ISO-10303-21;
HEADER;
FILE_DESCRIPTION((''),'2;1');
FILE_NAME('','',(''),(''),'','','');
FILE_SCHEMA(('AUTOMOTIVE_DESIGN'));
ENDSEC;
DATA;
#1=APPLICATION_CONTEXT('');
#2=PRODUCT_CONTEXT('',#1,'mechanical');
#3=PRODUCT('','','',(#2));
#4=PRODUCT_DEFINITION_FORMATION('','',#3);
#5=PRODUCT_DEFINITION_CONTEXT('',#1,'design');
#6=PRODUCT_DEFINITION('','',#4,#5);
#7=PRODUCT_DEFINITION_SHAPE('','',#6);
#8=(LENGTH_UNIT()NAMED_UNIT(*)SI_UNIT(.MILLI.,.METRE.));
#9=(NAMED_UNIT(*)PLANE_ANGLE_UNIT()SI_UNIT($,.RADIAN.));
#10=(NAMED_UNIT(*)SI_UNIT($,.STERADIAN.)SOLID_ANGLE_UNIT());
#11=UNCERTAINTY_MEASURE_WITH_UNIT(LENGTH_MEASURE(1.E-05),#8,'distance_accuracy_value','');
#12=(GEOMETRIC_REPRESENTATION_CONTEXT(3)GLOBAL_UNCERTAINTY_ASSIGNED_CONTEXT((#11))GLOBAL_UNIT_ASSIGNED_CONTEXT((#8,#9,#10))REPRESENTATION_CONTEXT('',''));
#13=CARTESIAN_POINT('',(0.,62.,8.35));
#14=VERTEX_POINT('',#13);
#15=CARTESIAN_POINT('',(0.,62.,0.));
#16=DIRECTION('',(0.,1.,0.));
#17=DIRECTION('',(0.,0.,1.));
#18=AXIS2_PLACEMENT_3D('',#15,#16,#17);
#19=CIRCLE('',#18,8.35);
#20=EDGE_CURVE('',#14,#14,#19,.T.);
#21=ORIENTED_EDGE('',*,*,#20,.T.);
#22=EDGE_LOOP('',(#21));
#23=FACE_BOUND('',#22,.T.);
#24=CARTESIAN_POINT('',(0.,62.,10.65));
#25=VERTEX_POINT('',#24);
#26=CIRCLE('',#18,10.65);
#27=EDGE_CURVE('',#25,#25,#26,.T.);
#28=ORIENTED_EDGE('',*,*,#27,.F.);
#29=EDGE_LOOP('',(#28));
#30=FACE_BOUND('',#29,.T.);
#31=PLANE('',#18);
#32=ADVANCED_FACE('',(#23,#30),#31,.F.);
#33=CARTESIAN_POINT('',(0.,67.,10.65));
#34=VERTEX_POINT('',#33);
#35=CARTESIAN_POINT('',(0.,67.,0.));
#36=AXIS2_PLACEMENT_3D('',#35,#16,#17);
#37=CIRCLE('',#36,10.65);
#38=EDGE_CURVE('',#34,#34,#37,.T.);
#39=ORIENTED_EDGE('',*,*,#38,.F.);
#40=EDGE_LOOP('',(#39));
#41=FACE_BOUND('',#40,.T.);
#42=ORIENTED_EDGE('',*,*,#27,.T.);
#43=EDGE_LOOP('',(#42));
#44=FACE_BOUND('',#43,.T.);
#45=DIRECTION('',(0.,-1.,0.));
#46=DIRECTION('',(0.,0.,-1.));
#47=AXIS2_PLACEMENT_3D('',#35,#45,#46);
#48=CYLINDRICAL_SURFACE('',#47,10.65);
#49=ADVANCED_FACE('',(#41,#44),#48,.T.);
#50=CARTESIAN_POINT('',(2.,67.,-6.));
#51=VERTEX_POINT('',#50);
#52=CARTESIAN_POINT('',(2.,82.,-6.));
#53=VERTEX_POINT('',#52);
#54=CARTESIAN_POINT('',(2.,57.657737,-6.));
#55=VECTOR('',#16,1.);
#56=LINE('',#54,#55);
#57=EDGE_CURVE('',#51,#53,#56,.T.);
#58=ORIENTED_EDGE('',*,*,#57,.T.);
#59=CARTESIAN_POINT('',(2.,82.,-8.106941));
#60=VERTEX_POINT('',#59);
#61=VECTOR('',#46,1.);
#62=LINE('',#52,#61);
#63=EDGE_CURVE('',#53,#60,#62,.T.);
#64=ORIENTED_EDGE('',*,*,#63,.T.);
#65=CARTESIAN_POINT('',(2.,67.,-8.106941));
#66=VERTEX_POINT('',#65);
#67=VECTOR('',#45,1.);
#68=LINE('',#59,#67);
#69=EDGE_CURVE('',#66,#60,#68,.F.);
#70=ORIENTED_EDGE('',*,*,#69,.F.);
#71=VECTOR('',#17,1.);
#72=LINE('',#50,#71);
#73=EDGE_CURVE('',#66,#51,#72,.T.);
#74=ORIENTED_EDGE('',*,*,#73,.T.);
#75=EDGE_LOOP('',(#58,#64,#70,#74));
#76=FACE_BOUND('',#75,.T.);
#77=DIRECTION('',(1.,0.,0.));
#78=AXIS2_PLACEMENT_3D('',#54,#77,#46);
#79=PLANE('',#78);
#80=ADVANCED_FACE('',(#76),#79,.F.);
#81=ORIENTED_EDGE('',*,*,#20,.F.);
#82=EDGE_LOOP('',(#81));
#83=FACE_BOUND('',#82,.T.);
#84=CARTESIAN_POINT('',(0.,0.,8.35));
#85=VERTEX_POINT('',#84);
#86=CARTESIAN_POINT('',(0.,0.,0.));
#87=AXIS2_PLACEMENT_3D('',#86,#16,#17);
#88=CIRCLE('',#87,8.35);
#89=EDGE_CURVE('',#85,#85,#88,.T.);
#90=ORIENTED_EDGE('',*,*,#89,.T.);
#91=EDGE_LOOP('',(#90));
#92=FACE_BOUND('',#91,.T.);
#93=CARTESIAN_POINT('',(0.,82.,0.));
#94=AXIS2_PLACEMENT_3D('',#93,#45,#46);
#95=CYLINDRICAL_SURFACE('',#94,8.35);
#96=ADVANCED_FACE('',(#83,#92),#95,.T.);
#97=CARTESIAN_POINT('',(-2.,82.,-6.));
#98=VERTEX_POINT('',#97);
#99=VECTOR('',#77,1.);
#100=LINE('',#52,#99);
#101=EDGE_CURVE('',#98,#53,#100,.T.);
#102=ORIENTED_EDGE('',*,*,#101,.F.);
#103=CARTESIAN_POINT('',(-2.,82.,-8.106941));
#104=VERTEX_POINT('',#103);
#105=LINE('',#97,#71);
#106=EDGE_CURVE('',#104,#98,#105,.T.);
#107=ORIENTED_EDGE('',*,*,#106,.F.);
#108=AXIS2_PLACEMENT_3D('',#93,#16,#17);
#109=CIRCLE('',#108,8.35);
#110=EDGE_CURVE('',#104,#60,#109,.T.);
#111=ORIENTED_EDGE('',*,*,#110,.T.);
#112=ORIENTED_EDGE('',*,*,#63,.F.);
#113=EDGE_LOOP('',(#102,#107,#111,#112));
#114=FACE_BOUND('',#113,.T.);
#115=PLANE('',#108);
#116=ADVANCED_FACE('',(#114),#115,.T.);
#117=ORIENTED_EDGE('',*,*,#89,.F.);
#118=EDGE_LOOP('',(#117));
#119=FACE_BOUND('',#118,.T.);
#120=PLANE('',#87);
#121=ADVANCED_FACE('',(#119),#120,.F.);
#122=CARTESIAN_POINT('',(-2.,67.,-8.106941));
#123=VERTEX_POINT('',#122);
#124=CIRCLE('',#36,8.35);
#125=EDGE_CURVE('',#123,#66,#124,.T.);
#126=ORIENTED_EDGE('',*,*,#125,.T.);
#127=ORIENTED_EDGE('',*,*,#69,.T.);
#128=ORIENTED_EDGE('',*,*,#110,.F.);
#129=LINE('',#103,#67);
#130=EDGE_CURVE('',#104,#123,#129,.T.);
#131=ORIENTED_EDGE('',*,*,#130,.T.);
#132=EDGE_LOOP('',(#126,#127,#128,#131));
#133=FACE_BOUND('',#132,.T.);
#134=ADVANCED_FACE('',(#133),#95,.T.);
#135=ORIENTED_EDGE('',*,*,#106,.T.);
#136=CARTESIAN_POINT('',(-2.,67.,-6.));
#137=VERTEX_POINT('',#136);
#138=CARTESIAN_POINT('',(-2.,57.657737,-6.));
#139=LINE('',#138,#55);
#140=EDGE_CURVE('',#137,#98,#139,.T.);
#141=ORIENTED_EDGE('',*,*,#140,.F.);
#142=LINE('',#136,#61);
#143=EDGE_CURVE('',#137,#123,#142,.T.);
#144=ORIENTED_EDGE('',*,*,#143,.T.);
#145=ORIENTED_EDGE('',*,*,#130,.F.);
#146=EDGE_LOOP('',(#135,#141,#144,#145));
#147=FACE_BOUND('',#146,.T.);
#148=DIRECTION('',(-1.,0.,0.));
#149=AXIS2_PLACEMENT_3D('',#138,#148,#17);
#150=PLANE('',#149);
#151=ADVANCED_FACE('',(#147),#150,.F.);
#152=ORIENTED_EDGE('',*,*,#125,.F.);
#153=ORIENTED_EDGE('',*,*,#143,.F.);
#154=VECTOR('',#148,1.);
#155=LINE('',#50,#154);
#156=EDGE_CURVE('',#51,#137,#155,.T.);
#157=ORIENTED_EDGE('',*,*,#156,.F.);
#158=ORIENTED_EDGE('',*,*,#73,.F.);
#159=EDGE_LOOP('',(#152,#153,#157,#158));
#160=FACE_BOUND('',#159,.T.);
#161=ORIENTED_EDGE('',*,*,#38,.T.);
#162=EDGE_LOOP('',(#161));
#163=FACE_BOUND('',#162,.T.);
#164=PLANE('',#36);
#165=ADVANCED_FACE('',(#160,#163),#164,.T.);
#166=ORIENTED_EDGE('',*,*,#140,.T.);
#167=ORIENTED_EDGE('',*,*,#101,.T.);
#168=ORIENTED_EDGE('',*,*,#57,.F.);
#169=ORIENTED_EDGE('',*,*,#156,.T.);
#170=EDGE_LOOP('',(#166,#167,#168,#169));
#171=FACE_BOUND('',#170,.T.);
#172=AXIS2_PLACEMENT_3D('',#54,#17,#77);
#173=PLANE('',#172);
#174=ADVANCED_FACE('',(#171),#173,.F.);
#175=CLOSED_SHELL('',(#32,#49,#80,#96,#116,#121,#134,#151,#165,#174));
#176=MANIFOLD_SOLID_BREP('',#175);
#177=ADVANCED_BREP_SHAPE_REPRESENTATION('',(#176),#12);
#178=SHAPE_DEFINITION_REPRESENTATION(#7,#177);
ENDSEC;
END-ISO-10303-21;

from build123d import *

# Parameters (mm, degrees)
SKETCH1_R           = 8.35
BOSS_EXTRUDE1_DEPTH = 82
SKETCH2_R           = 10.65
BOSS_EXTRUDE2_DEPTH = 5
SKETCH3_W           = 4
SKETCH3_H           = 8.442622751
CUT_EXTRUDE1_DEPTH  = 15


with BuildPart() as part:
    # Sketch1 → Boss-Extrude1 (new body)
    with BuildSketch(Plane(origin=(0, 0, 0), x_dir=(1, 0, 0), z_dir=(0, 1, 0))):
        with Locations(Location((0, 0, 0), (0, 0, 270))):
            Circle(SKETCH1_R)
    extrude(amount=BOSS_EXTRUDE1_DEPTH)

    # Sketch2 → Boss-Extrude2 (add)
    with BuildSketch(Plane(origin=(0, 62, 0), x_dir=(1, 0, 0), z_dir=(0, 1, 0))):
        with Locations(Location((0, 0, 0), (0, 0, 270))):
            Circle(SKETCH2_R)
    extrude(amount=BOSS_EXTRUDE2_DEPTH)

    # Sketch3 → Cut-Extrude1 (cut)
    with BuildSketch(Plane(origin=(0, 82, 0), x_dir=(1, 0, 0), z_dir=(0, 1, 0))):
        with Locations((0, 10.221311376)):
            Rectangle(SKETCH3_W, SKETCH3_H)
    extrude(amount=-CUT_EXTRUDE1_DEPTH, mode=Mode.SUBTRACT)


solid = part.part
